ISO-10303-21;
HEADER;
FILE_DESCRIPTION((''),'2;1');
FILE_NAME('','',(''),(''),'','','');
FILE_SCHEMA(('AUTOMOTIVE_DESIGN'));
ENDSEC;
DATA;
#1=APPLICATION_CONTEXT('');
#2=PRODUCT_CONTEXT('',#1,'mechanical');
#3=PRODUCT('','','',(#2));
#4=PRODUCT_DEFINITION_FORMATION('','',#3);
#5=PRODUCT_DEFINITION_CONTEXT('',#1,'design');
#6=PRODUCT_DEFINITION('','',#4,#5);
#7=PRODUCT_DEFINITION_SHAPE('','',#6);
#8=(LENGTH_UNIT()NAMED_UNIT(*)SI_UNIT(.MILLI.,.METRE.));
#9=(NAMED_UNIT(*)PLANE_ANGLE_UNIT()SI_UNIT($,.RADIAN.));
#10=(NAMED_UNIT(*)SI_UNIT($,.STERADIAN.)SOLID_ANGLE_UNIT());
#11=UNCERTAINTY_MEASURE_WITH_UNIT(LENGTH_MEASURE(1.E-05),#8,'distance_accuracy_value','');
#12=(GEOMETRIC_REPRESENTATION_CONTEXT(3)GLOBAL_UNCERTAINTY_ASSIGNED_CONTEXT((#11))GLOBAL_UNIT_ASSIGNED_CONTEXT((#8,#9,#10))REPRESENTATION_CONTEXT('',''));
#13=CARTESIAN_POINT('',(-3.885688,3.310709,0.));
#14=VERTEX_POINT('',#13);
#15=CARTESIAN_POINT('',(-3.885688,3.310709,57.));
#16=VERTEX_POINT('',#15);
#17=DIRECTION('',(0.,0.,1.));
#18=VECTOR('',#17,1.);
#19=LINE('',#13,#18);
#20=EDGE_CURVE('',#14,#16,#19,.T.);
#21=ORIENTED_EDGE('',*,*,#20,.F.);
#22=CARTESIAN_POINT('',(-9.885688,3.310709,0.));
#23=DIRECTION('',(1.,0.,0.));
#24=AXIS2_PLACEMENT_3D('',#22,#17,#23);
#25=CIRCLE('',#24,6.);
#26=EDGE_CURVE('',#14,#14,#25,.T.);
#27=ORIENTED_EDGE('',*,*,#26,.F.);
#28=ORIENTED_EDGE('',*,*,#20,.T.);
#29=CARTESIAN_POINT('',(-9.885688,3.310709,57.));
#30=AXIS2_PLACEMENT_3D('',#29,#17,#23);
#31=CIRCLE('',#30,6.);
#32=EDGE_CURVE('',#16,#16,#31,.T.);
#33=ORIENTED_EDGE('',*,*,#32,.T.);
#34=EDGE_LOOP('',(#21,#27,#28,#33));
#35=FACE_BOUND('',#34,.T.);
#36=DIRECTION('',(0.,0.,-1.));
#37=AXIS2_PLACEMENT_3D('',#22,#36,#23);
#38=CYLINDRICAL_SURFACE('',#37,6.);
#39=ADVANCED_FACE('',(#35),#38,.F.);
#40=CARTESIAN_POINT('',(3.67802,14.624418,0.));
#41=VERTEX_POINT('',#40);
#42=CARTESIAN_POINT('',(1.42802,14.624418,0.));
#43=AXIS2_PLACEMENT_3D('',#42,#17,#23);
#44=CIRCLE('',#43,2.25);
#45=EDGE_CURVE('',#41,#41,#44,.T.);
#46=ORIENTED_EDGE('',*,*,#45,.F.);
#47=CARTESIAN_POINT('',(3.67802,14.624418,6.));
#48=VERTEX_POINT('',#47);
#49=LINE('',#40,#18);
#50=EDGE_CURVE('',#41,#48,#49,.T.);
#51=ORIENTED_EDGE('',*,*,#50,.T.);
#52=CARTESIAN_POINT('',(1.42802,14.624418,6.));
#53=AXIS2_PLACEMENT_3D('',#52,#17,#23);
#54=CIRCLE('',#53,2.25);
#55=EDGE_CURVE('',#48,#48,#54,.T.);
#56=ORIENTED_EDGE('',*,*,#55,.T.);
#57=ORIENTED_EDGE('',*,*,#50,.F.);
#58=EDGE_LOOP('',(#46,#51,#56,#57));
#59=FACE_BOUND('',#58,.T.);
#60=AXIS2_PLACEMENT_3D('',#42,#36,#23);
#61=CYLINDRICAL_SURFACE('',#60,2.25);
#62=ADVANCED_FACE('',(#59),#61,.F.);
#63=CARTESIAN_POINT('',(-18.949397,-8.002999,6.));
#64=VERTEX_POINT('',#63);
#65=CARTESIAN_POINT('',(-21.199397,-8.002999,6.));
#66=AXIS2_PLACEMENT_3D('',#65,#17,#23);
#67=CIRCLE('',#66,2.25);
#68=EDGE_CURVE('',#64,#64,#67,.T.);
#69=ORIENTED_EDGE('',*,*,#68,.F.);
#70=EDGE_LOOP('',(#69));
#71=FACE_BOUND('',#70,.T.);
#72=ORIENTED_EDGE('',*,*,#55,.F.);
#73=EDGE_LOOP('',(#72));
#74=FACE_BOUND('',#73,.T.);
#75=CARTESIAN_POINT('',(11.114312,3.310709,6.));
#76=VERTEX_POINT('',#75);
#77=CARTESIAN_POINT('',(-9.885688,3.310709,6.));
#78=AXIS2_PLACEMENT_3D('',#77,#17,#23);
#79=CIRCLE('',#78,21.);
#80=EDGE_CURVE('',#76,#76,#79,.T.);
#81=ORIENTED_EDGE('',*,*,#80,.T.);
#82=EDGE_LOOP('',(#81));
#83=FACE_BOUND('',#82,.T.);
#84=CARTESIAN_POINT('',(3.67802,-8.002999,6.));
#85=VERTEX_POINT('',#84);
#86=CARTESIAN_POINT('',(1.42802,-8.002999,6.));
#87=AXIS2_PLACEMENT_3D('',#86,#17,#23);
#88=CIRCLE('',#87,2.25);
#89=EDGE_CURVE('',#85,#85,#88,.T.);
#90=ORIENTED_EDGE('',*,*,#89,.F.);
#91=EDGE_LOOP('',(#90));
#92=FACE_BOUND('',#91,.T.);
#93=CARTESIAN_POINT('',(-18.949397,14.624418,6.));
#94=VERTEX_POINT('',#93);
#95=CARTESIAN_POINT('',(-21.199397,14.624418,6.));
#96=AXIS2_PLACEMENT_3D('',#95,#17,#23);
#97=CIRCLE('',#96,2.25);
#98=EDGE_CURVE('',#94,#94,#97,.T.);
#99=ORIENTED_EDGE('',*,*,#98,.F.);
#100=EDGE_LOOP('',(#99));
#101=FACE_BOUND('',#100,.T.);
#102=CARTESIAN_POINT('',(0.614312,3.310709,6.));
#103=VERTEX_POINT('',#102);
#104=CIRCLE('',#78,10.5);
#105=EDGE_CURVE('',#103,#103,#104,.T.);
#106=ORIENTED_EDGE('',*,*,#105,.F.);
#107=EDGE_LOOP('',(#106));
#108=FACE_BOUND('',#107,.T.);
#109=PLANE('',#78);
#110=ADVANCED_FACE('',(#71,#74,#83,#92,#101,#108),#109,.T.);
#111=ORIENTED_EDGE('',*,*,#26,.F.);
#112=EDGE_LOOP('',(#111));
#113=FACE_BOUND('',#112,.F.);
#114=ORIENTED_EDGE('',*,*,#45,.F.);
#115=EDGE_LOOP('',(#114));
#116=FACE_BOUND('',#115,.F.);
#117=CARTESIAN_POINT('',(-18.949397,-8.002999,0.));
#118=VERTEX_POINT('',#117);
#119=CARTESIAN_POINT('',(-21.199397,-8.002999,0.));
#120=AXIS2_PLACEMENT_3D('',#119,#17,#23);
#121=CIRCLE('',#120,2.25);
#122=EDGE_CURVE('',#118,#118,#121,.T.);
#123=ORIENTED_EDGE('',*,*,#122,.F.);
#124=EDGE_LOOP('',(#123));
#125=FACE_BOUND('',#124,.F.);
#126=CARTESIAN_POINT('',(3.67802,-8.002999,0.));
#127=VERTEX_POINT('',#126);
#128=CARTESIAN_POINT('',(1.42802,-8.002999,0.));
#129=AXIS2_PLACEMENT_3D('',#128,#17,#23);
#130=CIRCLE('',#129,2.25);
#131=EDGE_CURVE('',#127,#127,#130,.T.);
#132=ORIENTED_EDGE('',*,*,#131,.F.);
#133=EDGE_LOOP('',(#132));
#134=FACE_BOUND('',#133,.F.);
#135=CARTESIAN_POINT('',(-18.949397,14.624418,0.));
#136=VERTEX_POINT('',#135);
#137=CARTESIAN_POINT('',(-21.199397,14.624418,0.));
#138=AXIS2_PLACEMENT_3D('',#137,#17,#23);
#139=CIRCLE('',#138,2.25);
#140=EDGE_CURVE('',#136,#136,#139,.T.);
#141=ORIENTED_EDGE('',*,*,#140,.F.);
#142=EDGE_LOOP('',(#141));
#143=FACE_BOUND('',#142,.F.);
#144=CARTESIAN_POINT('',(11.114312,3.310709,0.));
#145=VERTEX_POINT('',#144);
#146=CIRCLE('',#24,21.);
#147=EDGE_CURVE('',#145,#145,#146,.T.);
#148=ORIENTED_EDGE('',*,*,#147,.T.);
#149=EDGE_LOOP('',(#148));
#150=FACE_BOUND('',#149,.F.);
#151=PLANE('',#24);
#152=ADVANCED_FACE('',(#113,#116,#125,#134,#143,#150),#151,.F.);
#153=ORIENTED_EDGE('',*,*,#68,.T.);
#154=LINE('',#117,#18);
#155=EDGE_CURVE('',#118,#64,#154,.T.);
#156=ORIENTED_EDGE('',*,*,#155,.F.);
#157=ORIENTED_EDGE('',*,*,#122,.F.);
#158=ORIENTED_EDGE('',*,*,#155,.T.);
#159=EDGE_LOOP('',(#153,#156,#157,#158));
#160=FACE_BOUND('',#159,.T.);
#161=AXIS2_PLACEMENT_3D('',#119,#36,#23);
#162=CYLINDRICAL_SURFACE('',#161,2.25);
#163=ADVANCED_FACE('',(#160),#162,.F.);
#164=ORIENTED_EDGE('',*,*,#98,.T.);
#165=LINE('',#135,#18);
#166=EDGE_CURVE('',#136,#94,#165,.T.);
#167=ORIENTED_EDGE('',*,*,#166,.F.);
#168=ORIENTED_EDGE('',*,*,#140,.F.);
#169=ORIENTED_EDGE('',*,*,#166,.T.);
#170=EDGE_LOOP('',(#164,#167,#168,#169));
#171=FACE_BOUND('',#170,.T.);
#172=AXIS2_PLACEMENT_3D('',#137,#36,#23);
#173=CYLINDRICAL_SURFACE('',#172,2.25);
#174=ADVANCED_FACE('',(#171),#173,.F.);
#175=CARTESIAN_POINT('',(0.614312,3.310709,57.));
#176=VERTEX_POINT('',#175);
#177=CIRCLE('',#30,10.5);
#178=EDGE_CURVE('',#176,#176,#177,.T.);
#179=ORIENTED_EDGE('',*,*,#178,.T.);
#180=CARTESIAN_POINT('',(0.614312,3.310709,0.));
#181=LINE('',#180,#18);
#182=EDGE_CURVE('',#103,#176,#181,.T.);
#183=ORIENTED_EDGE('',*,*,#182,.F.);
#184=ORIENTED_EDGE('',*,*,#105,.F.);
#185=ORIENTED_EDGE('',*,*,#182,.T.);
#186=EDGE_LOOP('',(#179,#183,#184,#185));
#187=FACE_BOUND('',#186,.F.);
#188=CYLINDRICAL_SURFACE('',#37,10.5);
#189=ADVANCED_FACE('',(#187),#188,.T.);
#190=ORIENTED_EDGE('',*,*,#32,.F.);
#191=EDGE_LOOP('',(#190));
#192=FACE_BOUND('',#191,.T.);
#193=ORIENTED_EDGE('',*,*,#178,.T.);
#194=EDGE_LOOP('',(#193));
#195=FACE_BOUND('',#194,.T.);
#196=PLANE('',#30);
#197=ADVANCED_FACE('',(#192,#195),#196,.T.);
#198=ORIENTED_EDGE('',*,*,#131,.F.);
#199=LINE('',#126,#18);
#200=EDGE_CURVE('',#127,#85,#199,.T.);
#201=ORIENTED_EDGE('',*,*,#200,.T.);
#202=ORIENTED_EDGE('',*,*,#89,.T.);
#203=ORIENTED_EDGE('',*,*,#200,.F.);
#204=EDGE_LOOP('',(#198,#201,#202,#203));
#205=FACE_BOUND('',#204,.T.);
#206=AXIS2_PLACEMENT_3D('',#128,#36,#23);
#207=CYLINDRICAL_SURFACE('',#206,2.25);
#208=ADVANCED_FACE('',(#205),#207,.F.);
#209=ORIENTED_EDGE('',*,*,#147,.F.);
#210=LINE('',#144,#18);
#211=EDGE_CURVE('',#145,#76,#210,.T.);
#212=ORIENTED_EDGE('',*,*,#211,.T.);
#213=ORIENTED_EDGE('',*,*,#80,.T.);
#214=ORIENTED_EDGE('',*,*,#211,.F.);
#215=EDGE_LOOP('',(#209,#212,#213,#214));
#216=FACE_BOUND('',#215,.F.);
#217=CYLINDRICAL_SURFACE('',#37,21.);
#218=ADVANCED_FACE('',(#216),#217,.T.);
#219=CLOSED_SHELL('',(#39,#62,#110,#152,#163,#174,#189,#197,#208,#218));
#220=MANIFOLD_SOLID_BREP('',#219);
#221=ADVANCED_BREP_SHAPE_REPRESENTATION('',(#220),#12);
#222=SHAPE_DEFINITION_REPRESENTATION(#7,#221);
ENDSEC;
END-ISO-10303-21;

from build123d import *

# Parameters (mm, degrees)
F0_R     = 10.5
F0_R_2   = 6
F1_DEPTH = 57
F0_R_3   = 21
F0_R_4   = 2.25
F2_DEPTH = 6


with BuildPart() as f1:
    # F0 (on Top) → F1 (new body)
    with BuildSketch(Plane.XY):
        with Locations((-9.885688, 3.310709)):
            Circle(F0_R)
        with Locations((-9.885688, 3.310709)):
            Circle(F0_R_2, mode=Mode.SUBTRACT)
    extrude(amount=F1_DEPTH)

    # F0 (on Top) → F2 (join)
    with BuildSketch(Plane.XY):
        with Locations((-9.885688, 3.310709)):
            Circle(F0_R_3)
        with Locations((-21.199397, -8.002999)):
            Circle(F0_R_4, mode=Mode.SUBTRACT)
        with Locations((1.42802, -8.002999)):
            Circle(F0_R_4, mode=Mode.SUBTRACT)
        with Locations((-21.199397, 14.624418)):
            Circle(F0_R_4, mode=Mode.SUBTRACT)
        with Locations((-9.885688, 3.310709)):
            Circle(F0_R, mode=Mode.SUBTRACT)
        with Locations((1.42802, 14.624418)):
            Circle(F0_R_4, mode=Mode.SUBTRACT)
    extrude(amount=F2_DEPTH)


solid = f1.part
